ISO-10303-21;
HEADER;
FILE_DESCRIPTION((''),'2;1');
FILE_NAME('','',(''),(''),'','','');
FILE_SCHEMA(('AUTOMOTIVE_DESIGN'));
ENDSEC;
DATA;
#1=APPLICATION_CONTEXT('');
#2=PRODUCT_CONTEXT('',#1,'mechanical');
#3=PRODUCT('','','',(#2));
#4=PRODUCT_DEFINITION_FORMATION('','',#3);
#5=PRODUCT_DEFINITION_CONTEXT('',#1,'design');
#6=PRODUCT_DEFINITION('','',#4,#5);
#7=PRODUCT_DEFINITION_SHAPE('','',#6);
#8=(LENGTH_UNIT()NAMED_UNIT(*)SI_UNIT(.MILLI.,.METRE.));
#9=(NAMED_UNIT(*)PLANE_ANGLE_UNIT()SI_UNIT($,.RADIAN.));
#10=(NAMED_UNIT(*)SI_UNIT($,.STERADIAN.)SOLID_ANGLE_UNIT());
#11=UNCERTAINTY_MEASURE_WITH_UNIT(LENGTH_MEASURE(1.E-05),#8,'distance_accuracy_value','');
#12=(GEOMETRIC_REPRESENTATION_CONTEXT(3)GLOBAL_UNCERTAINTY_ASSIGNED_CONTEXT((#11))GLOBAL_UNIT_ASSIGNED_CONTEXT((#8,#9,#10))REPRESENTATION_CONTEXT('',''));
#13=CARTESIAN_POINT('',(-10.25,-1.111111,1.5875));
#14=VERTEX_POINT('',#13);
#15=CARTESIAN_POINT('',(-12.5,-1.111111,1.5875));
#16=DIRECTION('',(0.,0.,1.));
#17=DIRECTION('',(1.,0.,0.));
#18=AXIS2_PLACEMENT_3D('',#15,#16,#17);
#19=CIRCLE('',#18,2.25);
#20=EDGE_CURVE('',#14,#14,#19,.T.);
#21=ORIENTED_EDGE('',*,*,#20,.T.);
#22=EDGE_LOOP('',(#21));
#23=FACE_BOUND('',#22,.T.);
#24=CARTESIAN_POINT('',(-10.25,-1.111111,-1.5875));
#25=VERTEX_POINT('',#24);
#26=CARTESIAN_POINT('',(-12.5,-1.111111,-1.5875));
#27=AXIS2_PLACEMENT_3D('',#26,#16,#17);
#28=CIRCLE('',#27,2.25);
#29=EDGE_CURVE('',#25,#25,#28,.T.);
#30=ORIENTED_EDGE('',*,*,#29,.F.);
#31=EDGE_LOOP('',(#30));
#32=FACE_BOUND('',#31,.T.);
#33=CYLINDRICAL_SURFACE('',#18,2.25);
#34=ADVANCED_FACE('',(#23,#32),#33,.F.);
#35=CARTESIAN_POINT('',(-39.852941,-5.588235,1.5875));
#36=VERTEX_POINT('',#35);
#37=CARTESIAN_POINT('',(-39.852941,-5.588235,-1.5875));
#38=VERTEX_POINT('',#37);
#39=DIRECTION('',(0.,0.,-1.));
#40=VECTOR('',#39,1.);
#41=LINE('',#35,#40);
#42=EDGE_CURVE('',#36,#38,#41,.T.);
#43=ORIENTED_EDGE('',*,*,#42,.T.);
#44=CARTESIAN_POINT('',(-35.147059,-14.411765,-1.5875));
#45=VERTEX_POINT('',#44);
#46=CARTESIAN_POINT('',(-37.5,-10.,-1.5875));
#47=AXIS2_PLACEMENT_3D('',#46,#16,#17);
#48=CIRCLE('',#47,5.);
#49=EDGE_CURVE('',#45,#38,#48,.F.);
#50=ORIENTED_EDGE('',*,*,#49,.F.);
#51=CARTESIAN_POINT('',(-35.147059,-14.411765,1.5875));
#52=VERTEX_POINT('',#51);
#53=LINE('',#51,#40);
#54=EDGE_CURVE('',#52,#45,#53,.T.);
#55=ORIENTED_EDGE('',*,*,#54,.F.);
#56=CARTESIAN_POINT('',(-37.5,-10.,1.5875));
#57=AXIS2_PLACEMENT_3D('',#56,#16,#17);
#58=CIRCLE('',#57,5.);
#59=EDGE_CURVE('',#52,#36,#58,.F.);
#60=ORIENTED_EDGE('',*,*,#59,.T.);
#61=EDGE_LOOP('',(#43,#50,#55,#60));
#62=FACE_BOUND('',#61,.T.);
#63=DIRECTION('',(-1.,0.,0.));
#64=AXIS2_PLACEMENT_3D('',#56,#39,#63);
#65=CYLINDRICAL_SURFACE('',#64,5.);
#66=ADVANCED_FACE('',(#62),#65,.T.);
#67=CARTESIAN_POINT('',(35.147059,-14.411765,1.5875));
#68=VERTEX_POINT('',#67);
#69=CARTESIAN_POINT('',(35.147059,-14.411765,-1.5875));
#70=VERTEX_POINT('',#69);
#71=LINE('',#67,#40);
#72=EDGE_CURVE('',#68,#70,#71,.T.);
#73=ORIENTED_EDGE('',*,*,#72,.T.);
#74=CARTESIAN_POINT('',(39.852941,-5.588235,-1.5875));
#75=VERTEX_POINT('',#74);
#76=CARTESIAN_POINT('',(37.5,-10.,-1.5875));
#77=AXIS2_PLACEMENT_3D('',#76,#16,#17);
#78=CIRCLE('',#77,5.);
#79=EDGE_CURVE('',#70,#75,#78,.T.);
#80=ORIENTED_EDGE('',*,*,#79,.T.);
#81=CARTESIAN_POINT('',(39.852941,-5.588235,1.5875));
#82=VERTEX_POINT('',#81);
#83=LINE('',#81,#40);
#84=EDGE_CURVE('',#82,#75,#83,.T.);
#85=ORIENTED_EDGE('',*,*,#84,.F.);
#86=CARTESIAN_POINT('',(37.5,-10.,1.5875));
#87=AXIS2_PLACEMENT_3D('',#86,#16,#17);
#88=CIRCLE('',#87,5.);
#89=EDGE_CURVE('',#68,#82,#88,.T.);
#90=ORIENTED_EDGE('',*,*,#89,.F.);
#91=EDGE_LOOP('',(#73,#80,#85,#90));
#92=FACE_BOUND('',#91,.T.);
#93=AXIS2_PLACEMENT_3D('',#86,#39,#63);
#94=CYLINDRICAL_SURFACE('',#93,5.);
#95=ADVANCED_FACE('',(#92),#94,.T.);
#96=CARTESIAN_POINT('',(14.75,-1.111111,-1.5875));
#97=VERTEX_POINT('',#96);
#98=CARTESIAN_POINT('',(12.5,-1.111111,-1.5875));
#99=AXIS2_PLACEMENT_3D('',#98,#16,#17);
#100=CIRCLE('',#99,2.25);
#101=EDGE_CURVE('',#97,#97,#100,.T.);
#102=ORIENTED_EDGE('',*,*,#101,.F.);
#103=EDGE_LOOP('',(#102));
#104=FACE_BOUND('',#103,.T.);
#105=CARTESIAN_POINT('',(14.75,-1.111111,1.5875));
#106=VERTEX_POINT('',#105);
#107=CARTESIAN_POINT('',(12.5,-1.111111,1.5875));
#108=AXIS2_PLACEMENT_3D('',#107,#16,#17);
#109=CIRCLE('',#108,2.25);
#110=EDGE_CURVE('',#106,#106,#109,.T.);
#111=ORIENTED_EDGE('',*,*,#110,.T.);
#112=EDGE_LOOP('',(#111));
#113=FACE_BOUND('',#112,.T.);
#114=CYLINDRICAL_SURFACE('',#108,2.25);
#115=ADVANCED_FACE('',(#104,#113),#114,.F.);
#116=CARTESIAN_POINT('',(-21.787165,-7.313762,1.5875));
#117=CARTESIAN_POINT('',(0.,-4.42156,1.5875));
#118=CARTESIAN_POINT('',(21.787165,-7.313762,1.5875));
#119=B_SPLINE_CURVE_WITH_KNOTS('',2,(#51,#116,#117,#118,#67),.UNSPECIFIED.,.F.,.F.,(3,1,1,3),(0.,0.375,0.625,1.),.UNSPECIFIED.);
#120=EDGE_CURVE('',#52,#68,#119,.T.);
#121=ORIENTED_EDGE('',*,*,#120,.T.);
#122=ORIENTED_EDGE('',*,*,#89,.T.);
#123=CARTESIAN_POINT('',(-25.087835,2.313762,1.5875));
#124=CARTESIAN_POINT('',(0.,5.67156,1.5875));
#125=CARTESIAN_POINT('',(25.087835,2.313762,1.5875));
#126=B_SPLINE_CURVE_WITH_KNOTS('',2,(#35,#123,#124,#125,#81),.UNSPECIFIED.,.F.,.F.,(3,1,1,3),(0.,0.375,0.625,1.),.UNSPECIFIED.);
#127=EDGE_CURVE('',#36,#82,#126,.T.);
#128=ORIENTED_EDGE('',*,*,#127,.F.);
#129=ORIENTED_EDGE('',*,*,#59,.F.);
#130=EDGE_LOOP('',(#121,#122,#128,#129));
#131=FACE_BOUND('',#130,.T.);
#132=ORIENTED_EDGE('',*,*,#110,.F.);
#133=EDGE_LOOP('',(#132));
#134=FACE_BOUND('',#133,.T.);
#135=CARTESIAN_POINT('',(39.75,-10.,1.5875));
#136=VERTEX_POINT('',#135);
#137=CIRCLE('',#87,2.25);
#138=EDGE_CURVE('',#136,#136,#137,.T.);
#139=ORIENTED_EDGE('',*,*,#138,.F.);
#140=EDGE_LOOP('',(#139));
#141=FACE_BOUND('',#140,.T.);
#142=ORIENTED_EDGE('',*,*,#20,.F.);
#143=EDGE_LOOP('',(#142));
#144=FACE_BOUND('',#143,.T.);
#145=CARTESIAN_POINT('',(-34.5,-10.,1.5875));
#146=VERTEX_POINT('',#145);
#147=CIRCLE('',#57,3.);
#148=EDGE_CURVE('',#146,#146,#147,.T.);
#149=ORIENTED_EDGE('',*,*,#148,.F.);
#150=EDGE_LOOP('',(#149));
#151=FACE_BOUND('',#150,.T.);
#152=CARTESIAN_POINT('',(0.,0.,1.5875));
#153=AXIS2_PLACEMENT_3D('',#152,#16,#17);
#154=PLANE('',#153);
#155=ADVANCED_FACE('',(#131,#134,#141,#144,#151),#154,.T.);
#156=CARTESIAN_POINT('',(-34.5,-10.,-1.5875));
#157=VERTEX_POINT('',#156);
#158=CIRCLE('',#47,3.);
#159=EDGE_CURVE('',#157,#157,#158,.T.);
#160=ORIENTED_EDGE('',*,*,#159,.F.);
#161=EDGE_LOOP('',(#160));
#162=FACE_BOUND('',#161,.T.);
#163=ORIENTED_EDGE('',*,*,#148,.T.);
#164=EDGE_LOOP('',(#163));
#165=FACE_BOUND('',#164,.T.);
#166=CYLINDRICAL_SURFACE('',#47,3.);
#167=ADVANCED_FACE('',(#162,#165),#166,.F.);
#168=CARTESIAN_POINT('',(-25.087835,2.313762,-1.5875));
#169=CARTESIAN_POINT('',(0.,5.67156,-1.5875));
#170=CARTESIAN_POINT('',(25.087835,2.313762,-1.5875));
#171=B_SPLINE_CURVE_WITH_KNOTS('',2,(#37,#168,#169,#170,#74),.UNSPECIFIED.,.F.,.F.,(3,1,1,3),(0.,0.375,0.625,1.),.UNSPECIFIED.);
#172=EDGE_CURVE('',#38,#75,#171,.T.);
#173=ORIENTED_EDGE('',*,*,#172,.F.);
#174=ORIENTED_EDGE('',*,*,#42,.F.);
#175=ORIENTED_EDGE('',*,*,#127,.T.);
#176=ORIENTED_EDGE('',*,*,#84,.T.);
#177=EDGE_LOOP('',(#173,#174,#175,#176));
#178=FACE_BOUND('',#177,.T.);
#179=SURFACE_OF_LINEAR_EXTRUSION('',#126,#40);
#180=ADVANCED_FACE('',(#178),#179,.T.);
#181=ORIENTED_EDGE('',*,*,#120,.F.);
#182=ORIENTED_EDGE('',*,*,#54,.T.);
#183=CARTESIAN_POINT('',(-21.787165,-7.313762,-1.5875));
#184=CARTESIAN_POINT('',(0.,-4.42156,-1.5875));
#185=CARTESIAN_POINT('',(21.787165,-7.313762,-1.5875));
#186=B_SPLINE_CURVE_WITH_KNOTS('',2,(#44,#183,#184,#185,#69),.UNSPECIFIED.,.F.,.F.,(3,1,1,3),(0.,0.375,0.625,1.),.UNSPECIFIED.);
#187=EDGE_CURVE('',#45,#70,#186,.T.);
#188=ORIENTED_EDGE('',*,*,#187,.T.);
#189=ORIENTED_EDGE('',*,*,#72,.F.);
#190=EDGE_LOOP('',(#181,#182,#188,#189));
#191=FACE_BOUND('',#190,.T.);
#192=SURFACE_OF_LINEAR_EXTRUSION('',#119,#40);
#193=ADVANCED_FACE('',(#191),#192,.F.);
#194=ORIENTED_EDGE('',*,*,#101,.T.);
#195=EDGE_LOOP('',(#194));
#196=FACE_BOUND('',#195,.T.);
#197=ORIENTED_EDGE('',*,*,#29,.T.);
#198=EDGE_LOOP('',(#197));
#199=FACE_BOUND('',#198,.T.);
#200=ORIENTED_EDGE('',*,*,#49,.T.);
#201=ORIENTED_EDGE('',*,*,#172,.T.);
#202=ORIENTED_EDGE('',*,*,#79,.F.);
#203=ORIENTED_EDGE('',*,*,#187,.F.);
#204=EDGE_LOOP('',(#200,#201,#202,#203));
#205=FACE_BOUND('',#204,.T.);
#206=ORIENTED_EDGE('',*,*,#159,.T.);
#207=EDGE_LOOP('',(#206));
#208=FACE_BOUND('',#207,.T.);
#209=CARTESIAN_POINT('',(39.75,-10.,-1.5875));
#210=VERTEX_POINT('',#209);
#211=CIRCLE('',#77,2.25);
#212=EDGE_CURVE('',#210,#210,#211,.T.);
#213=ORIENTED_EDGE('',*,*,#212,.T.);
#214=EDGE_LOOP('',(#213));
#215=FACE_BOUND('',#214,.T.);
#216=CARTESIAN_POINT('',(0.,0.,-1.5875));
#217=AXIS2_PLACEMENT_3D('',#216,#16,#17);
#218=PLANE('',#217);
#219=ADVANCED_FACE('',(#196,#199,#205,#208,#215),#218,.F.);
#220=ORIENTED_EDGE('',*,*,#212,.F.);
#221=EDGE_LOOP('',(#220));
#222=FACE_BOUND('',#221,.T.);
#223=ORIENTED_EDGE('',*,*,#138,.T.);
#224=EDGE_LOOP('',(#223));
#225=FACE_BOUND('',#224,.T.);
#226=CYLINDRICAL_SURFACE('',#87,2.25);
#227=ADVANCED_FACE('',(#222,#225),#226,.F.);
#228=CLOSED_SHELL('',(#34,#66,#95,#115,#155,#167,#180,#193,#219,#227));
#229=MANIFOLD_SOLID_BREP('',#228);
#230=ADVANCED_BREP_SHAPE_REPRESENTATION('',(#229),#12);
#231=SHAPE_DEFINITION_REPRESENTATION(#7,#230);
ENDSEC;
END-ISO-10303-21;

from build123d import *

# Parameters (mm, degrees)
BOSS_EXTRUDE1_DEPTH  = 1.5875
M4_CLEARANCE_HOLE1_D = 4.5
SKETCH5_R            = 3
CUT_EXTRUDE1_DEPTH   = 4.1750001


with BuildPart() as part:
    # Sketch1 → Boss-Extrude1 (new body, symmetric)
    with BuildSketch(Plane.XY):
        with BuildLine():
            ThreePointArc((-35.147058824, -14.411764706), (-41.911764706, -12.352941176), (-39.852941176, -5.588235294))
            add(Edge.make_bspline(
                [(-39.852941176, -5.588235294), (-25.087835375, 2.313761515), (0, 5.671559621), (25.087835375, 2.313761515), (39.852941176, -5.588235294)],
                knots=[0, 0, 0, 0.375, 0.625, 1, 1, 1], degree=2))
            ThreePointArc((39.852941176, -5.588235294), (41.911764706, -12.352941176), (35.147058824, -14.411764706))
            add(Edge.make_bspline(
                [(-35.147058824, -14.411764706), (-21.787164625, -7.313761515), (0, -4.421559621), (21.787164625, -7.313761515), (35.147058824, -14.411764706)],
                knots=[0, 0, 0, 0.375, 0.625, 1, 1, 1], degree=2))
        make_face()
    extrude(amount=BOSS_EXTRUDE1_DEPTH, both=True)

    # M4 Clearance Hole1 (through all)
    with Locations(Plane.XY.offset(1.5875)):
        with Locations((37.5, -10), (-12.5, -1.111111111), (12.5, -1.111111111)):
            Hole(M4_CLEARANCE_HOLE1_D / 2)

    # Sketch5 → Cut-Extrude1 (cut, through all)
    with BuildSketch(Plane.XY.offset(1.5875)):
        with Locations((-37.5, -10)):
            Circle(SKETCH5_R)
    extrude(amount=-CUT_EXTRUDE1_DEPTH, mode=Mode.SUBTRACT)


solid = part.part
